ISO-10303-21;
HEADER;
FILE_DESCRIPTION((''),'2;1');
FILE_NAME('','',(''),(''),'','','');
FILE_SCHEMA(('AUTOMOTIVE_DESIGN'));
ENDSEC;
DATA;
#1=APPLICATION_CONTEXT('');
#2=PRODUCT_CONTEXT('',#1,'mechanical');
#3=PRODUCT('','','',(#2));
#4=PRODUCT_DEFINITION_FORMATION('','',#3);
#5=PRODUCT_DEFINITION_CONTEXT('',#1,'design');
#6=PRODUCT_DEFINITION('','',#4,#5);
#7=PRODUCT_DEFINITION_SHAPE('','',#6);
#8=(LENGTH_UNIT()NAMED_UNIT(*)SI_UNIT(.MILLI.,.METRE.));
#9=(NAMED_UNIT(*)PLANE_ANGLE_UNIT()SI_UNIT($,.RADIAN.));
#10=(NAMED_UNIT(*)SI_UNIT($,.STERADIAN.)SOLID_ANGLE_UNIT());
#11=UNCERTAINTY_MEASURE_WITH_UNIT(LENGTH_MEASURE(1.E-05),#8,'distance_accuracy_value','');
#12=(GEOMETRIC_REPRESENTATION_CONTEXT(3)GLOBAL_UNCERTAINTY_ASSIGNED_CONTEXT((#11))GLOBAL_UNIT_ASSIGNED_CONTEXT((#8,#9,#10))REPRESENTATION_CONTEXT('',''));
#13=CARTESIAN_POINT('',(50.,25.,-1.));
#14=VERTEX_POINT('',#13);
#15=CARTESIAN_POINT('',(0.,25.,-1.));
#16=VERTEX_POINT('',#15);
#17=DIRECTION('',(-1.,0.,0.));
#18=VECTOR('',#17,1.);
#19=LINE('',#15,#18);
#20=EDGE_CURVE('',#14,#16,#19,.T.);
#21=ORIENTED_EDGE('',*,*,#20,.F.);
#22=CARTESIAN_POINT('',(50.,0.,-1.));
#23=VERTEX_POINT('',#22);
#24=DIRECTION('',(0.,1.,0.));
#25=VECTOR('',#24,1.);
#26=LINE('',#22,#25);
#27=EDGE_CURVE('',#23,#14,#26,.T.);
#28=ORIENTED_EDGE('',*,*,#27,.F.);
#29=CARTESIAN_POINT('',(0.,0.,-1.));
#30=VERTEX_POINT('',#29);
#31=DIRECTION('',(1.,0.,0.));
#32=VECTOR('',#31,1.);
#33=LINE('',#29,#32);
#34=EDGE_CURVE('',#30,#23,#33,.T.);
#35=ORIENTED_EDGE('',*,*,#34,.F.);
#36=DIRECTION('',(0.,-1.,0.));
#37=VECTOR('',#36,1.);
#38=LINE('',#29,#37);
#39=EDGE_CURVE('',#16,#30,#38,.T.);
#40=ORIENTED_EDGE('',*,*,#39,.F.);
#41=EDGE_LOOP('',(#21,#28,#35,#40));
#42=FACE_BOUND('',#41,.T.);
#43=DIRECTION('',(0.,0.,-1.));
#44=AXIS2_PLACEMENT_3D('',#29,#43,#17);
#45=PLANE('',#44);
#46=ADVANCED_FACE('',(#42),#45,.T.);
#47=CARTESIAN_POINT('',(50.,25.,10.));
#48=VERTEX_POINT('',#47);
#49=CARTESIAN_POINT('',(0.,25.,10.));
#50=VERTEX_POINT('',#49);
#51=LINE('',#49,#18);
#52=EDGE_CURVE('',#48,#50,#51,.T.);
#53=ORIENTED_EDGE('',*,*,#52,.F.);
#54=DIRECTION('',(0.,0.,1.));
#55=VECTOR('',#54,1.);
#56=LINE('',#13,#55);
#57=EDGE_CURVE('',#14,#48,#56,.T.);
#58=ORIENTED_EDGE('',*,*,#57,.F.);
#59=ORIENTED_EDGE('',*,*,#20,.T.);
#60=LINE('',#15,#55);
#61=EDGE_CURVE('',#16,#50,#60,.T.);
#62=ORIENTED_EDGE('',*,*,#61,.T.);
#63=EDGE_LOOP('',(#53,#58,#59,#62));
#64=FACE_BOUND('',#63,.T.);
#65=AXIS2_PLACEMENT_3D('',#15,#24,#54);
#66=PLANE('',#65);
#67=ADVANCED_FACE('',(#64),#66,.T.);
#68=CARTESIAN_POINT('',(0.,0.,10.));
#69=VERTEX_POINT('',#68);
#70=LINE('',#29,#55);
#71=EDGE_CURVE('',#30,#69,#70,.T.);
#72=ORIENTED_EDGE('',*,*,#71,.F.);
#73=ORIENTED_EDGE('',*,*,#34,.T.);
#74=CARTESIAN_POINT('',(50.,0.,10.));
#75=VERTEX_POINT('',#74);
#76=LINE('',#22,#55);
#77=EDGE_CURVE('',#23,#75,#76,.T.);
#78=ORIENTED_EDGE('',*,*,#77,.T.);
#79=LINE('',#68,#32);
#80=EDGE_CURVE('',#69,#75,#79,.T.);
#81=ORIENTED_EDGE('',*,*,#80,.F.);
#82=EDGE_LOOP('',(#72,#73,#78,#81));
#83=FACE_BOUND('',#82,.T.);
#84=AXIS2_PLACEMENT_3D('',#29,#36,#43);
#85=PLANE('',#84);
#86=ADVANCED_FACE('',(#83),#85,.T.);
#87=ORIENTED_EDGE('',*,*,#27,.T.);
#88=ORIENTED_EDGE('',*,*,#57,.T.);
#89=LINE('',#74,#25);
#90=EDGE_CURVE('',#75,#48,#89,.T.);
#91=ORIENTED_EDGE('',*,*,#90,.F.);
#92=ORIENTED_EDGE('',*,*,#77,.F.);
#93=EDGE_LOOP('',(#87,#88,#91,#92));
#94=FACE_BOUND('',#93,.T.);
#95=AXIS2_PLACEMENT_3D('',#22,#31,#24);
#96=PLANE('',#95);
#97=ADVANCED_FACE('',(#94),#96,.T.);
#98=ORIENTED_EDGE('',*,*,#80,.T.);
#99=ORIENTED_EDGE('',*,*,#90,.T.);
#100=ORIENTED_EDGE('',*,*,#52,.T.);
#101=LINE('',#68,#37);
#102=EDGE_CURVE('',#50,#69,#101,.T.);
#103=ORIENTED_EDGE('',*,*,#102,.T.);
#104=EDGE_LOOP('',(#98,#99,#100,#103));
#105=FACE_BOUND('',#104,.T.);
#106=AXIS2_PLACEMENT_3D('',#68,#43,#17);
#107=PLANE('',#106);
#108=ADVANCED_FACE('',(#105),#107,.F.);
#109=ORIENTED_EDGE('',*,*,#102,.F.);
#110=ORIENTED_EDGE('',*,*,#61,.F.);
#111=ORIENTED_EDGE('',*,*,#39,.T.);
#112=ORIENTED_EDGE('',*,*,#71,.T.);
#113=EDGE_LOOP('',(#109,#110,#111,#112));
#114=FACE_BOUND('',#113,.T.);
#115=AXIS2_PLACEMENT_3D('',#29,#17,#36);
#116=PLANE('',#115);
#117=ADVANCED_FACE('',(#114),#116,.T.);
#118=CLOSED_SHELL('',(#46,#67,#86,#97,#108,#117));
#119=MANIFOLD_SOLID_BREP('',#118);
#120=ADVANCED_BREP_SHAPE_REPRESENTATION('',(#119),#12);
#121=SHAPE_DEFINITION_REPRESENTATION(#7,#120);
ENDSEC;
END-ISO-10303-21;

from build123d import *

# Parameters (mm, degrees)
BOSS_EXTRUDE1_DEPTH      = 10
BOSS_EXTRUDE1_DEPTH_BACK = 1
SKETCH3_W                = 50
SKETCH3_H                = 25


with BuildPart() as part:
    # Sketch3 → Boss-Extrude1 (new, two sides: drawn at the far end of the back side and taken through both)
    with BuildSketch(Plane.XY.offset(-BOSS_EXTRUDE1_DEPTH_BACK)):
        with Locations((25, 12.5)):
            Rectangle(SKETCH3_W, SKETCH3_H)
    extrude(amount=BOSS_EXTRUDE1_DEPTH + BOSS_EXTRUDE1_DEPTH_BACK)


solid = part.part
